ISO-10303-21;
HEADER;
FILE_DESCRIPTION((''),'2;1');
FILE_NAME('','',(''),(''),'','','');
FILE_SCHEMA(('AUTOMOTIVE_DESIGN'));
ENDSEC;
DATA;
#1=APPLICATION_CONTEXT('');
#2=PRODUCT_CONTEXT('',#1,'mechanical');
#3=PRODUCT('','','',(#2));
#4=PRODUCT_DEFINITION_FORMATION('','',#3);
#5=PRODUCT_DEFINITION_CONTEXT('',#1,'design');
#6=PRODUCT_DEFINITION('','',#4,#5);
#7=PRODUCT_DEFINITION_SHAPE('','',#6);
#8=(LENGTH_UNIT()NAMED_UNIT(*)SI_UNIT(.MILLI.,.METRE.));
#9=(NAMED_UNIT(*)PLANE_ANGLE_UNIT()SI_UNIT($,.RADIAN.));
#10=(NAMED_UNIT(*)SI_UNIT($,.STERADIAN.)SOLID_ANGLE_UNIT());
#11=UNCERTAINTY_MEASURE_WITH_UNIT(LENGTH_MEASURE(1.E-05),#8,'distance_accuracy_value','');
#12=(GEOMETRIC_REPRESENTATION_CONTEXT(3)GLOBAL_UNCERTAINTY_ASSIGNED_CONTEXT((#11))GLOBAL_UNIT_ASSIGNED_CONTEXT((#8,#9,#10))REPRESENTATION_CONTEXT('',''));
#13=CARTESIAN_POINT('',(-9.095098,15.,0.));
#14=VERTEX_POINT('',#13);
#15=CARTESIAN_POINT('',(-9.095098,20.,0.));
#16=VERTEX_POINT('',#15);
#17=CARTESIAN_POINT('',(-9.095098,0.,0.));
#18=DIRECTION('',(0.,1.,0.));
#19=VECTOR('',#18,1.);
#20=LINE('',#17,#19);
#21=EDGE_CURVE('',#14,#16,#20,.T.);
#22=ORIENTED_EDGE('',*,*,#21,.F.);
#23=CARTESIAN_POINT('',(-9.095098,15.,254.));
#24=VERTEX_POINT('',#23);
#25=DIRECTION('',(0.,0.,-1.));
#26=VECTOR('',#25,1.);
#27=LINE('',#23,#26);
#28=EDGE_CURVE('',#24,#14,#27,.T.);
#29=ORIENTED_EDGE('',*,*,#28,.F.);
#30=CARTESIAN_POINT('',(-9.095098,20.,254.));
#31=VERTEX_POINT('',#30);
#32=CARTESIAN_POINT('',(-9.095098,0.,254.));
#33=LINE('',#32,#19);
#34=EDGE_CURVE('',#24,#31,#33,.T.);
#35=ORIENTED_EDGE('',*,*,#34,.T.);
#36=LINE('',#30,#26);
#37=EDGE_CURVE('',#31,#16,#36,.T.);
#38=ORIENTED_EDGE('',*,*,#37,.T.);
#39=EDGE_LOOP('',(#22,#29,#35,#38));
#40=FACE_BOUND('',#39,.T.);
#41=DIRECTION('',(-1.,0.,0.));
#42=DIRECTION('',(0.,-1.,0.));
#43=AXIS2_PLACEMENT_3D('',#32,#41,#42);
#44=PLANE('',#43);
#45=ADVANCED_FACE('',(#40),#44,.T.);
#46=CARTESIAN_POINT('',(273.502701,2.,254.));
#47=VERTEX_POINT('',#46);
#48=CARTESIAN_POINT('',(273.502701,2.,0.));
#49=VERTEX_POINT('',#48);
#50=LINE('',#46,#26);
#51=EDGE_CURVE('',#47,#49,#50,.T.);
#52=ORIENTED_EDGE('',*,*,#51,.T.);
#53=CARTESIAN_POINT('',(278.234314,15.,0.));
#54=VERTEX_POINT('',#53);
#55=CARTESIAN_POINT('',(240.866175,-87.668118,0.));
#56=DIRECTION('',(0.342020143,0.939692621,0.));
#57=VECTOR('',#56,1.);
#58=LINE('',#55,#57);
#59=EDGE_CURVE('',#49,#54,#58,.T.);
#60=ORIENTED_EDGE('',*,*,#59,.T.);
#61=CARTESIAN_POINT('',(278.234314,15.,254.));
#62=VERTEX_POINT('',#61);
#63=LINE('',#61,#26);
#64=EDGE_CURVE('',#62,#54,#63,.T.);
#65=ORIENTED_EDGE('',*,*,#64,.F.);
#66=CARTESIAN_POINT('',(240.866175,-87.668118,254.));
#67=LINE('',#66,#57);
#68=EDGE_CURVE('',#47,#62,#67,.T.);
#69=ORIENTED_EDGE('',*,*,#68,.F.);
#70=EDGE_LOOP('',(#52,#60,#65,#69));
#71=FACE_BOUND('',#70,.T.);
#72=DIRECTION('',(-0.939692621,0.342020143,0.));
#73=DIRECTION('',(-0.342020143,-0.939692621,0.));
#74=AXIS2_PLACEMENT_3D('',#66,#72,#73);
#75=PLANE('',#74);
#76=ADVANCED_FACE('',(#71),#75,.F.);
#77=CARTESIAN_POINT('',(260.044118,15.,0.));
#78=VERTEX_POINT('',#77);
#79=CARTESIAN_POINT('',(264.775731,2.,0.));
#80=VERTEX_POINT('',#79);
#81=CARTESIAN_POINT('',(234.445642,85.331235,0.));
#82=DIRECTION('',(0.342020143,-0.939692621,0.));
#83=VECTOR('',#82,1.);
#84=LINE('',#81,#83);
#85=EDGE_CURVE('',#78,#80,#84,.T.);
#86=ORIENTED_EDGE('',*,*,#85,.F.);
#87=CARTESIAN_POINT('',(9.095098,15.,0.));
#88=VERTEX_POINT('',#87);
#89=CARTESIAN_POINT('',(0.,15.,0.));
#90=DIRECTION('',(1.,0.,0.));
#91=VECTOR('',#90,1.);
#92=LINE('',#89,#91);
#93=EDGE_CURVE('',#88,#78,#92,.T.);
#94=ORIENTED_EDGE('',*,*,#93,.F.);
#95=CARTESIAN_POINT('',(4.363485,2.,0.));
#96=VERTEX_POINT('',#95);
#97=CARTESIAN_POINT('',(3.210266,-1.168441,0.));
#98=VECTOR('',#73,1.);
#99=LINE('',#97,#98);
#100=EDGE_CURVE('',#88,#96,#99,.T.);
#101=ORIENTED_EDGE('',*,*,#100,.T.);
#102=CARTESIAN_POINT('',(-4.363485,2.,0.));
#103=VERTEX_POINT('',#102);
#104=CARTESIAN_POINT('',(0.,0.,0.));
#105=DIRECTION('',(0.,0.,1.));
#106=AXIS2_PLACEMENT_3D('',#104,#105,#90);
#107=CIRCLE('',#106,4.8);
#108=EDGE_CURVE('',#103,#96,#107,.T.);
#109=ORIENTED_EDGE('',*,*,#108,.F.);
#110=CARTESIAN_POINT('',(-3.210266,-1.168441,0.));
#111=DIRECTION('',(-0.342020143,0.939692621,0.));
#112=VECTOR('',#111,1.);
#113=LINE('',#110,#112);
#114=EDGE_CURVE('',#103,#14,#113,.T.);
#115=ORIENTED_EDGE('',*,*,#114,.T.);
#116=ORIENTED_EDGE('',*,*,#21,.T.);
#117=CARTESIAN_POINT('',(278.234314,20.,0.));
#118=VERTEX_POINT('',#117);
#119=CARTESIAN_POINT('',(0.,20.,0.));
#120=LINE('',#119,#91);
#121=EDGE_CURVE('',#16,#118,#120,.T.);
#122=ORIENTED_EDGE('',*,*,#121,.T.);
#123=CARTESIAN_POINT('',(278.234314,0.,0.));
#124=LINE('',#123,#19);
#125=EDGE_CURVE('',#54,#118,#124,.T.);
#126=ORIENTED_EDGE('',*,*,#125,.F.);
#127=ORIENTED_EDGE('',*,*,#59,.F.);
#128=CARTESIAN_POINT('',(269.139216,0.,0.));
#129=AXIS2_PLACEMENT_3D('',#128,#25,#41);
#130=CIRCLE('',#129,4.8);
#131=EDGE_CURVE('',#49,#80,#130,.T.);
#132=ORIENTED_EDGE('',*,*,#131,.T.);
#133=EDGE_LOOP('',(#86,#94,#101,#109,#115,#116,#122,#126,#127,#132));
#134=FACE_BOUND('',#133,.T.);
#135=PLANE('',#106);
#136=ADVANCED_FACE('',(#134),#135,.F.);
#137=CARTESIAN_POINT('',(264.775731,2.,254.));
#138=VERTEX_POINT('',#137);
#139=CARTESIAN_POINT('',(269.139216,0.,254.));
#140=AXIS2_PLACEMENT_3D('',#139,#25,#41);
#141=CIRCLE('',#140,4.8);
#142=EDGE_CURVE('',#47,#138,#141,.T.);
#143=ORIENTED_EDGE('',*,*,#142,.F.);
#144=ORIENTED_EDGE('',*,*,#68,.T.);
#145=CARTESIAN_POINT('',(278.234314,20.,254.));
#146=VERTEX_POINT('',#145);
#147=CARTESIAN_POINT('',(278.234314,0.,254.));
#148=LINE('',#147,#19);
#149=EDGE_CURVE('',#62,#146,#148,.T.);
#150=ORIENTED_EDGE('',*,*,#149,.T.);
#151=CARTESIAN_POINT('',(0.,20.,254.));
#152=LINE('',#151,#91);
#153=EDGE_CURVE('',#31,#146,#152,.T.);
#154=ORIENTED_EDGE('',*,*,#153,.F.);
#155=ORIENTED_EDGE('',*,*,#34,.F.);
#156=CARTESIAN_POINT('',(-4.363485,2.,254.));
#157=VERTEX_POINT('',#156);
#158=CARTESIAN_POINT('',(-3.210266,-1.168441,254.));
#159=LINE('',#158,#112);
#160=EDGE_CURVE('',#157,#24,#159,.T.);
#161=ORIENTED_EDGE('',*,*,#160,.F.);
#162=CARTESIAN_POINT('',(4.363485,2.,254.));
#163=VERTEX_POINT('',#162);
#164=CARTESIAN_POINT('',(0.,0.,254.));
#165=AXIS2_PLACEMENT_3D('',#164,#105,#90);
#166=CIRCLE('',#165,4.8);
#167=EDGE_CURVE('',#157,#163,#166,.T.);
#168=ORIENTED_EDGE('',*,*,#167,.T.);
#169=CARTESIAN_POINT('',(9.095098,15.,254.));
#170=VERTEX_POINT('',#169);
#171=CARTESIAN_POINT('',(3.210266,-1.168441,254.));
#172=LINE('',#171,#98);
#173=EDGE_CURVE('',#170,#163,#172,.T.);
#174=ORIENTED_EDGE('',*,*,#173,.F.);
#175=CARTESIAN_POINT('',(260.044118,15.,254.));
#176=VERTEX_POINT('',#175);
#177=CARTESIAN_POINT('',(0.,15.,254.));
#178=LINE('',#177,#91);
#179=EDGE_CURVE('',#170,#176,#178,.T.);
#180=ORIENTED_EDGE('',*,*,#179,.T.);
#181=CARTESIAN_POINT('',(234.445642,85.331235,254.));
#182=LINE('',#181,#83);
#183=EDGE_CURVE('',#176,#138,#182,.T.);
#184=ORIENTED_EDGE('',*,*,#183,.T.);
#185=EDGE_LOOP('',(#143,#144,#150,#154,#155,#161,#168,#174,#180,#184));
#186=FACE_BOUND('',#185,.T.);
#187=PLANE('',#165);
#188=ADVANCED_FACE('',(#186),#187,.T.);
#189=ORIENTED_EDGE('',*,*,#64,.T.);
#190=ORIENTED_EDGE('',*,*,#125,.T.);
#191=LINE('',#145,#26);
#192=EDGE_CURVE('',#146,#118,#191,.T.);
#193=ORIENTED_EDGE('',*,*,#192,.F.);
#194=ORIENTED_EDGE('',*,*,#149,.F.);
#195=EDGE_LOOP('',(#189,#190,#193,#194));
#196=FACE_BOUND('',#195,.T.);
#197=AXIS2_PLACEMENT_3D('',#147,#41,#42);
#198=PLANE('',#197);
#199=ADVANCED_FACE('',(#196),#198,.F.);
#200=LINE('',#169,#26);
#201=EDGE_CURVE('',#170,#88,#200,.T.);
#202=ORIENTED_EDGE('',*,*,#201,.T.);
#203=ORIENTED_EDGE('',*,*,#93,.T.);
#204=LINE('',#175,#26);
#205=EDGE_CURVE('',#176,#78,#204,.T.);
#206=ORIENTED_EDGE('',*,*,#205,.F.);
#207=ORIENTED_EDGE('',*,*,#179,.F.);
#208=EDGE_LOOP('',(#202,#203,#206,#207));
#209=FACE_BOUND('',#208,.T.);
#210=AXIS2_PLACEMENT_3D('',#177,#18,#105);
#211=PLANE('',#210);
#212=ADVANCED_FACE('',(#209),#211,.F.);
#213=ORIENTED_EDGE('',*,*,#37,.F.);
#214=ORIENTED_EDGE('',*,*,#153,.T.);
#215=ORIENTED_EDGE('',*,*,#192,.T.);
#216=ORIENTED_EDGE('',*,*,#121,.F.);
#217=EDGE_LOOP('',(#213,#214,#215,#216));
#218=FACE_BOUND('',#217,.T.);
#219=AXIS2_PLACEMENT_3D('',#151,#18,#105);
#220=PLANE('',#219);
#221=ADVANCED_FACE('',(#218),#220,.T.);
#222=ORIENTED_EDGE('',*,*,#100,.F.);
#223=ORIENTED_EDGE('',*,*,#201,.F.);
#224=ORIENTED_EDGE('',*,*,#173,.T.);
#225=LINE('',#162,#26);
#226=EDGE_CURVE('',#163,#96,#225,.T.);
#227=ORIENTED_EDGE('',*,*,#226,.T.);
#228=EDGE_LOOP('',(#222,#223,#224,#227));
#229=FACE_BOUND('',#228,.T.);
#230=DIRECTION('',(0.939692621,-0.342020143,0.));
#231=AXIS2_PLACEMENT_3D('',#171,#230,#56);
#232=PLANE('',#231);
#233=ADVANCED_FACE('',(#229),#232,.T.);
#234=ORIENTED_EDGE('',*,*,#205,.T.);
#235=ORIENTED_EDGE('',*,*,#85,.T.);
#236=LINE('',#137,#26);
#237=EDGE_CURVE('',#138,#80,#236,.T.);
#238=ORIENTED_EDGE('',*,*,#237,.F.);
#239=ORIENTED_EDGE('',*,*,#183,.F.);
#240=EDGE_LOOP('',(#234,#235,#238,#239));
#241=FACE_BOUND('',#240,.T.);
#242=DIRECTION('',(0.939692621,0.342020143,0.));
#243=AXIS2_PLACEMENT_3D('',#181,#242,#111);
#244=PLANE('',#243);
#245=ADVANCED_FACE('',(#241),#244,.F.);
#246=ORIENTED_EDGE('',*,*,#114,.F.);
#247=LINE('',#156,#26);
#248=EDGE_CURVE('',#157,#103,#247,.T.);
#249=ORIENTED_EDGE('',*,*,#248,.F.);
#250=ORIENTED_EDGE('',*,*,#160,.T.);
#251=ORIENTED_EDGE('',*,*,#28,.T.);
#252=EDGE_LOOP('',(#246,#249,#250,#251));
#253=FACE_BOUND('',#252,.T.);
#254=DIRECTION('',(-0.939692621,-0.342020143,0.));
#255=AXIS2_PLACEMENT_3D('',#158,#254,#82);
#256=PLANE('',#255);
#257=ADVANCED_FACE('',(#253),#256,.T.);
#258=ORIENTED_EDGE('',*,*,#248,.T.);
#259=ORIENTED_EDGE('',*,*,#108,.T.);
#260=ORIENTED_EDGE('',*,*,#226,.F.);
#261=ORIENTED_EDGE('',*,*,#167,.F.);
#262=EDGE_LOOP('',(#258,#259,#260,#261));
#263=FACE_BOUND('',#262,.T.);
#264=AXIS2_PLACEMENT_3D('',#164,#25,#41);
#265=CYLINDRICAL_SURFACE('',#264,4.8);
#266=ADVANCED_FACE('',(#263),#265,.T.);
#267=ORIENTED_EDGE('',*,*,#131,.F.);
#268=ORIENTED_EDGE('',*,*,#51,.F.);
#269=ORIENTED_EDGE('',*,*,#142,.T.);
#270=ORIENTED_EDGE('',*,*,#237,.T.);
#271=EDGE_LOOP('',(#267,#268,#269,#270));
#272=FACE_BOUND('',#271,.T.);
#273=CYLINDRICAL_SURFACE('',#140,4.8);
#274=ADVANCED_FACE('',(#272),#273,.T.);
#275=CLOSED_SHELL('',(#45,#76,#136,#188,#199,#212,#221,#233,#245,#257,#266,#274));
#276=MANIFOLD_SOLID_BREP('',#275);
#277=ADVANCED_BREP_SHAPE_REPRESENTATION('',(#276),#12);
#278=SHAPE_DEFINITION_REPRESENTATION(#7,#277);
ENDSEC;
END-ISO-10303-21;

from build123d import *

# Parameters (mm, degrees)
BOSS_EXTRUDE1_DEPTH = 254


with BuildPart() as part:
    # Sketch1 → Boss-Extrude1 (new body)
    with BuildSketch(Plane.XY):
        with BuildLine():
            Line((-9.095097891, 15), (-4.363484846, 2))
            ThreePointArc((-4.363484846, 2), (0, -4.8), (4.363484846, 2))
            Line((4.363484846, 2), (9.095097891, 15))
            Line((9.095097891, 15), (260.044118109, 15))
            Line((260.044118109, 15), (264.775731154, 2))
            ThreePointArc((264.775731154, 2), (269.139216, -4.8), (273.502700846, 2))
            Line((273.502700846, 2), (278.234313891, 15))
            Line((278.234313891, 15), (278.234313891, 20))
            Line((278.234313891, 20), (-9.095097891, 20))
            Line((-9.095097891, 20), (-9.095097891, 15))
        make_face()
    extrude(amount=BOSS_EXTRUDE1_DEPTH)


solid = part.part
